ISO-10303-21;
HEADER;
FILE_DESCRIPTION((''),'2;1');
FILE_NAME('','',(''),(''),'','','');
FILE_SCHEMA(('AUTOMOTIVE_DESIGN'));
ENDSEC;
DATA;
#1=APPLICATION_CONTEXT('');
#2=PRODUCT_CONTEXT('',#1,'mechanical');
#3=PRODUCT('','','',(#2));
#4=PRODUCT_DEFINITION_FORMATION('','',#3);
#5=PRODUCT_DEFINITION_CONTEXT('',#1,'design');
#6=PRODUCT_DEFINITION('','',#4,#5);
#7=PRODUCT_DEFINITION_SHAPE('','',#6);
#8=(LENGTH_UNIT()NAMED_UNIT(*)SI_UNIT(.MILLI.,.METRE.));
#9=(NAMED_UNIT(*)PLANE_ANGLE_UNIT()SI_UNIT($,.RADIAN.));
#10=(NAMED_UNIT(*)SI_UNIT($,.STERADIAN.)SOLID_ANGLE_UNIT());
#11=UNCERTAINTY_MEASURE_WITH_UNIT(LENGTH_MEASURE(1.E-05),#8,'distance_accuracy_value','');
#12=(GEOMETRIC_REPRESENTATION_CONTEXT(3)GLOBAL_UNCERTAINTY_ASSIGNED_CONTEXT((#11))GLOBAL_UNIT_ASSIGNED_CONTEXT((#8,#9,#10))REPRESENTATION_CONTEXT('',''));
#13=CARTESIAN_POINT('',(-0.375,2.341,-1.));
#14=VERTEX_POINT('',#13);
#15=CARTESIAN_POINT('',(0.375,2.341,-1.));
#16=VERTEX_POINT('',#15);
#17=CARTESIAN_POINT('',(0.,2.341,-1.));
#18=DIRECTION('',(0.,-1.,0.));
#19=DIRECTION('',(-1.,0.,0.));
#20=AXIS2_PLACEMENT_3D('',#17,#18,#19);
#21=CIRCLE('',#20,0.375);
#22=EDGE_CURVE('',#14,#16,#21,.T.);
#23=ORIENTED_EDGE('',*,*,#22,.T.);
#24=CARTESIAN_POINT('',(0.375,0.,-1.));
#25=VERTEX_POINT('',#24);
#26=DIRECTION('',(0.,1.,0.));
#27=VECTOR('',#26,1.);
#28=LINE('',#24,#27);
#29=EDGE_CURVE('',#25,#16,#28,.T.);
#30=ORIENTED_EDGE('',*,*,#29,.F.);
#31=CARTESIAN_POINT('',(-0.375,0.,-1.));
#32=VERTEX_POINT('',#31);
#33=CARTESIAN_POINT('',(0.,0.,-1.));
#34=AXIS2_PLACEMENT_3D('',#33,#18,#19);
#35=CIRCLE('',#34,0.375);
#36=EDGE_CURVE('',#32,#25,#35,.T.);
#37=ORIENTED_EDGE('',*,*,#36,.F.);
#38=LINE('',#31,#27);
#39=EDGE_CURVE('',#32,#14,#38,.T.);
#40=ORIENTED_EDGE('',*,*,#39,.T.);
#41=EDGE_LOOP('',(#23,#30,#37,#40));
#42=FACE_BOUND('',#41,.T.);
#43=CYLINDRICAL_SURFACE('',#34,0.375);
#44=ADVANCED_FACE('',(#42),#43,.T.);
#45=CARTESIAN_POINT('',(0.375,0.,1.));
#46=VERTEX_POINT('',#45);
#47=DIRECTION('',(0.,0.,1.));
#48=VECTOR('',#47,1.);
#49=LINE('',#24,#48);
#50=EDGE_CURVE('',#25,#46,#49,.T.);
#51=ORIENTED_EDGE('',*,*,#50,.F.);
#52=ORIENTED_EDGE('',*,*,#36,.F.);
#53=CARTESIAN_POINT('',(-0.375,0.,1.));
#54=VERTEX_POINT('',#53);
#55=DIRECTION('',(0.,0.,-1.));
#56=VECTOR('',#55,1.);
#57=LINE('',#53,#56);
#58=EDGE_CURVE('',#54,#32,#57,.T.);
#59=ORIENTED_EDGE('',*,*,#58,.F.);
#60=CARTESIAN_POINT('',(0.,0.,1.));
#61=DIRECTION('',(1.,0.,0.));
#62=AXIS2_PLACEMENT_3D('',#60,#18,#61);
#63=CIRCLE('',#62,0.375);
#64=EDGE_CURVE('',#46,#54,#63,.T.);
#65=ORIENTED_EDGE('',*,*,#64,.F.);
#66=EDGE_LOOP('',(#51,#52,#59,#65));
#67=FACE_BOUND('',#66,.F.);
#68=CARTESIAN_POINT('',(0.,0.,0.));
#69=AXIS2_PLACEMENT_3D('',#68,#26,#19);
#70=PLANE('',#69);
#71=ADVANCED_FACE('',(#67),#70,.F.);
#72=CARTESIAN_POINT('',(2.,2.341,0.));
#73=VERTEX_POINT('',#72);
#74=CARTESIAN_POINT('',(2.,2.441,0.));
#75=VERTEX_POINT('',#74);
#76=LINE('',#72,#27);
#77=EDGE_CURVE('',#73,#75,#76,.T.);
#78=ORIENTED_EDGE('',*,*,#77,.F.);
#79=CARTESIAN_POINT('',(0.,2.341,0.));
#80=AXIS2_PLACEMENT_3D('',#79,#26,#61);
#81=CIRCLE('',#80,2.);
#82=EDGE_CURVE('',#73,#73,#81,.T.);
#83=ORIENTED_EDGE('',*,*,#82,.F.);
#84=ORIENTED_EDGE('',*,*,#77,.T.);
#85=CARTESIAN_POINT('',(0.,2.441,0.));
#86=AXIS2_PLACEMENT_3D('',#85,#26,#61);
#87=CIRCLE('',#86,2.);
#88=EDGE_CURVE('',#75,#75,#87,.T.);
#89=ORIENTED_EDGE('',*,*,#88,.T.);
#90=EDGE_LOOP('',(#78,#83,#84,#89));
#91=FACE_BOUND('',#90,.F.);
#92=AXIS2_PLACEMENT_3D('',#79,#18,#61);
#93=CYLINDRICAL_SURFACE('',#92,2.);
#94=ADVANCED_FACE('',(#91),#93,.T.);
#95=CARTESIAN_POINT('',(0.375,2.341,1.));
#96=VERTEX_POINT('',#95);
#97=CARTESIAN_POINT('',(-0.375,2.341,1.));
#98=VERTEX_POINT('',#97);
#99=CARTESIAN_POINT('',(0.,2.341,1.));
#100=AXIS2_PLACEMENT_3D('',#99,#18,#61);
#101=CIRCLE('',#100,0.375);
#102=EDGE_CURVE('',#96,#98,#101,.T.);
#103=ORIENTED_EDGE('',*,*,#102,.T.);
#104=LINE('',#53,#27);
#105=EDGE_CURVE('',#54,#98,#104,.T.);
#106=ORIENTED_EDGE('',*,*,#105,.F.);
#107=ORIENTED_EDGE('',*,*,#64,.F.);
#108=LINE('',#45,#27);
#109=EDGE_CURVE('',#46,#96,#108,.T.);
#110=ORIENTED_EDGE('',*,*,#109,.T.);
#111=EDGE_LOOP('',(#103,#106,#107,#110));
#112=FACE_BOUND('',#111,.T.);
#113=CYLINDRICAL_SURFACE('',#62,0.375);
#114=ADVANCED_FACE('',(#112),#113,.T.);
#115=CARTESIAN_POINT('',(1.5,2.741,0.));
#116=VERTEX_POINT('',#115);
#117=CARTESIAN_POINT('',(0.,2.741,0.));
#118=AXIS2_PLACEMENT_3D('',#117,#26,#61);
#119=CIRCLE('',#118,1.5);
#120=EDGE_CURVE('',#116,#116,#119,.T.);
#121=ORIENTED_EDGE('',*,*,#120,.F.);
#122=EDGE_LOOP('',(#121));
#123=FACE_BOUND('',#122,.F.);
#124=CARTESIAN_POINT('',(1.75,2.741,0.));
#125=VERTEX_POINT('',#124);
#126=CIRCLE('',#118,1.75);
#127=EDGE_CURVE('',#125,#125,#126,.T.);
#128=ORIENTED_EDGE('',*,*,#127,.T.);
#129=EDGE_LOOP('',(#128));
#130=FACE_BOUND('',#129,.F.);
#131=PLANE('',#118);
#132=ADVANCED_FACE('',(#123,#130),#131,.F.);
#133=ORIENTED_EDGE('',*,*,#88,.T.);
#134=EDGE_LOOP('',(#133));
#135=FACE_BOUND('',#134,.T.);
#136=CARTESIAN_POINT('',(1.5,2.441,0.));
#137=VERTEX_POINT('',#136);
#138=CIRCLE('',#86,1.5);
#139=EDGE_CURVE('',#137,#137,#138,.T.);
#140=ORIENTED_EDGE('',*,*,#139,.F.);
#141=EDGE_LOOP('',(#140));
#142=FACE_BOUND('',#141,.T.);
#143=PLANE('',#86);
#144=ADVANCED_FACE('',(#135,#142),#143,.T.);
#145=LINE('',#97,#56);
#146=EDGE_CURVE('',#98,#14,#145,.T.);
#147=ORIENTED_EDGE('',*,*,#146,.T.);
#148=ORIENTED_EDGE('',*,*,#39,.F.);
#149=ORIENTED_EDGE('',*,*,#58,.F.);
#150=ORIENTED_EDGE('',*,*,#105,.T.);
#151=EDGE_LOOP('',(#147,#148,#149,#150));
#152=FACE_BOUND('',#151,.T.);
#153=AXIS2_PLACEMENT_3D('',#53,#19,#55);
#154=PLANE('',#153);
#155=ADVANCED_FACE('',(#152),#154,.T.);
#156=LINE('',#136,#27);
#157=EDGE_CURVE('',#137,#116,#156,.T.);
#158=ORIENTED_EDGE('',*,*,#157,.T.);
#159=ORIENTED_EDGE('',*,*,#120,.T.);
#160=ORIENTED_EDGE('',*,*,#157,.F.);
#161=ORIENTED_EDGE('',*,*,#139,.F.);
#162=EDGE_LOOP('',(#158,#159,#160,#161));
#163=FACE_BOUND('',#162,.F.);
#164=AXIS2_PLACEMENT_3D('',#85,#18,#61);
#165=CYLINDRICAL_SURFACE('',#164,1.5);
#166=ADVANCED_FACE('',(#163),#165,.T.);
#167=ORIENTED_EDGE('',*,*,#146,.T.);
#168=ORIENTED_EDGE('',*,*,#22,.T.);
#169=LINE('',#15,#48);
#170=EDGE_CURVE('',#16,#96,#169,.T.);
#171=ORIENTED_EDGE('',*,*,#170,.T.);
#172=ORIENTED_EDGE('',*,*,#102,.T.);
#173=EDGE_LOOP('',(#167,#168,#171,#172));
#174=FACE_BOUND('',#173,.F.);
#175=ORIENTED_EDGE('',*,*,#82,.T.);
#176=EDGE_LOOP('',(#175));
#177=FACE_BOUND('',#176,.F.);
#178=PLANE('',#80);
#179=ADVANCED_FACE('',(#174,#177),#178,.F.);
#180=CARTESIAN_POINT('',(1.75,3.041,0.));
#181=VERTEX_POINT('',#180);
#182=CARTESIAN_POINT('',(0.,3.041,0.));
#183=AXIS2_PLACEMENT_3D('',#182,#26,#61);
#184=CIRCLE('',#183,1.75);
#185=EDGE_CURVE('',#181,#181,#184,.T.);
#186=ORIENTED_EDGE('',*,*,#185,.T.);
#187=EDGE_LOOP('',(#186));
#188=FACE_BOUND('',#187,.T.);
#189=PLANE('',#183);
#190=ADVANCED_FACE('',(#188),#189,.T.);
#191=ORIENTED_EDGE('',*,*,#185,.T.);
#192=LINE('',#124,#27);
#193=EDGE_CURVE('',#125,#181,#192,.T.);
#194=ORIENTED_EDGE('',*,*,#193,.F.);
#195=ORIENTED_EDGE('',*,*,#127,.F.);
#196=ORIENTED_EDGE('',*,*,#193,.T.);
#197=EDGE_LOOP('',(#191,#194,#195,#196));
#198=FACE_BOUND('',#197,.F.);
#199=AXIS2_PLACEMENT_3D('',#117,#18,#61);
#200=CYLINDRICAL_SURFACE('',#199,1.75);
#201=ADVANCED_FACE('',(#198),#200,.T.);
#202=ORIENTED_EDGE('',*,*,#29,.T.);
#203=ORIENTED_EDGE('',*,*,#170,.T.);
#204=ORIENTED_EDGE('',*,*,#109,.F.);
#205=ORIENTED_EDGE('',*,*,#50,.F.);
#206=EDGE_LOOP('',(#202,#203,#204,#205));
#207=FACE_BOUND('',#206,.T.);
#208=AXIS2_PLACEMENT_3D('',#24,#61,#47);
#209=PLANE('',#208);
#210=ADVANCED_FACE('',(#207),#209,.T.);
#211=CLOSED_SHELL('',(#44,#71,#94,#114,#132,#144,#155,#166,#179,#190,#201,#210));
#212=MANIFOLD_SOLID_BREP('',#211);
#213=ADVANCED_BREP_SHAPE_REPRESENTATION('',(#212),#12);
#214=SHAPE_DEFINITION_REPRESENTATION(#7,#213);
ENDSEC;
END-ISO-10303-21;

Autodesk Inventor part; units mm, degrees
ref_plane "YZ Plane" through (0, 0, 0) normal (1, 0, 0) x (0, 1, 0)
ref_plane "XZ Plane" through (0, 0, 0) normal (0, 1, 0) x (-1, 0, 0)
ref_plane "XY Plane" through (0, 0, 0) normal (0, 0, 1) x (1, 0, 0)
sketch "Sketch1" plane through (0, 0, 0) normal (0, 1, 0) x (-1, 0, 0)
  circle A0 centre (0, 0) radius 1.905
  dimension "d0" = 3.81
extrude "Extrusion1" add sketch "Sketch1" along normal blind 2.341
sketch "Sketch2" plane through (0, 2.341, 0) normal (0, 1, 0) x (1, 0, 0)
  circle A0 centre (0, 0) radius 2
  dimension "d3" = 4
extrude "Extrusion2" add sketch "Sketch2" along normal blind 0.1
sketch "Sketch8" plane through (0, 0, 0) normal (0, -1, 0) x (1, 0, 0)
  line L0 (0, 1) -> (0, -1) construction
  line L1 (-0.375, 1) -> (-0.375, -1)
  line L2 (0.375, -1) -> (0.375, 1)
  arc A0 (0.375, 1) -> (-0.375, 1) centre (0, 1) ccw
  arc A1 (-0.375, -1) -> (0.375, -1) centre (0, -1) ccw
  circle A2 centre (0, 0) radius 1.905
  dimension "d22" = 1
  dimension "d23" = 0.75
extrude "Extrusion4" cut sketch "Sketch8" against normal up to surface (2.341 mm away)
sketch "Sketch9" plane through (0, 2.441, 0) normal (0, 1, 0) x (1, 0, 0)
  circle A0 centre (0, 0) radius 1.5
  dimension "d26" = 3
extrude "Extrusion5" add sketch "Sketch9" along normal blind 0.3
sketch "Sketch10" plane through (0, 2.741, 0) normal (0, 1, 0) x (1, 0, 0)
  circle A0 centre (0, 0) radius 1.75
  dimension "d29" = 3.5
extrude "Extrusion6" add sketch "Sketch10" along normal blind 0.3
properties part number "Pin Hole Lock"
